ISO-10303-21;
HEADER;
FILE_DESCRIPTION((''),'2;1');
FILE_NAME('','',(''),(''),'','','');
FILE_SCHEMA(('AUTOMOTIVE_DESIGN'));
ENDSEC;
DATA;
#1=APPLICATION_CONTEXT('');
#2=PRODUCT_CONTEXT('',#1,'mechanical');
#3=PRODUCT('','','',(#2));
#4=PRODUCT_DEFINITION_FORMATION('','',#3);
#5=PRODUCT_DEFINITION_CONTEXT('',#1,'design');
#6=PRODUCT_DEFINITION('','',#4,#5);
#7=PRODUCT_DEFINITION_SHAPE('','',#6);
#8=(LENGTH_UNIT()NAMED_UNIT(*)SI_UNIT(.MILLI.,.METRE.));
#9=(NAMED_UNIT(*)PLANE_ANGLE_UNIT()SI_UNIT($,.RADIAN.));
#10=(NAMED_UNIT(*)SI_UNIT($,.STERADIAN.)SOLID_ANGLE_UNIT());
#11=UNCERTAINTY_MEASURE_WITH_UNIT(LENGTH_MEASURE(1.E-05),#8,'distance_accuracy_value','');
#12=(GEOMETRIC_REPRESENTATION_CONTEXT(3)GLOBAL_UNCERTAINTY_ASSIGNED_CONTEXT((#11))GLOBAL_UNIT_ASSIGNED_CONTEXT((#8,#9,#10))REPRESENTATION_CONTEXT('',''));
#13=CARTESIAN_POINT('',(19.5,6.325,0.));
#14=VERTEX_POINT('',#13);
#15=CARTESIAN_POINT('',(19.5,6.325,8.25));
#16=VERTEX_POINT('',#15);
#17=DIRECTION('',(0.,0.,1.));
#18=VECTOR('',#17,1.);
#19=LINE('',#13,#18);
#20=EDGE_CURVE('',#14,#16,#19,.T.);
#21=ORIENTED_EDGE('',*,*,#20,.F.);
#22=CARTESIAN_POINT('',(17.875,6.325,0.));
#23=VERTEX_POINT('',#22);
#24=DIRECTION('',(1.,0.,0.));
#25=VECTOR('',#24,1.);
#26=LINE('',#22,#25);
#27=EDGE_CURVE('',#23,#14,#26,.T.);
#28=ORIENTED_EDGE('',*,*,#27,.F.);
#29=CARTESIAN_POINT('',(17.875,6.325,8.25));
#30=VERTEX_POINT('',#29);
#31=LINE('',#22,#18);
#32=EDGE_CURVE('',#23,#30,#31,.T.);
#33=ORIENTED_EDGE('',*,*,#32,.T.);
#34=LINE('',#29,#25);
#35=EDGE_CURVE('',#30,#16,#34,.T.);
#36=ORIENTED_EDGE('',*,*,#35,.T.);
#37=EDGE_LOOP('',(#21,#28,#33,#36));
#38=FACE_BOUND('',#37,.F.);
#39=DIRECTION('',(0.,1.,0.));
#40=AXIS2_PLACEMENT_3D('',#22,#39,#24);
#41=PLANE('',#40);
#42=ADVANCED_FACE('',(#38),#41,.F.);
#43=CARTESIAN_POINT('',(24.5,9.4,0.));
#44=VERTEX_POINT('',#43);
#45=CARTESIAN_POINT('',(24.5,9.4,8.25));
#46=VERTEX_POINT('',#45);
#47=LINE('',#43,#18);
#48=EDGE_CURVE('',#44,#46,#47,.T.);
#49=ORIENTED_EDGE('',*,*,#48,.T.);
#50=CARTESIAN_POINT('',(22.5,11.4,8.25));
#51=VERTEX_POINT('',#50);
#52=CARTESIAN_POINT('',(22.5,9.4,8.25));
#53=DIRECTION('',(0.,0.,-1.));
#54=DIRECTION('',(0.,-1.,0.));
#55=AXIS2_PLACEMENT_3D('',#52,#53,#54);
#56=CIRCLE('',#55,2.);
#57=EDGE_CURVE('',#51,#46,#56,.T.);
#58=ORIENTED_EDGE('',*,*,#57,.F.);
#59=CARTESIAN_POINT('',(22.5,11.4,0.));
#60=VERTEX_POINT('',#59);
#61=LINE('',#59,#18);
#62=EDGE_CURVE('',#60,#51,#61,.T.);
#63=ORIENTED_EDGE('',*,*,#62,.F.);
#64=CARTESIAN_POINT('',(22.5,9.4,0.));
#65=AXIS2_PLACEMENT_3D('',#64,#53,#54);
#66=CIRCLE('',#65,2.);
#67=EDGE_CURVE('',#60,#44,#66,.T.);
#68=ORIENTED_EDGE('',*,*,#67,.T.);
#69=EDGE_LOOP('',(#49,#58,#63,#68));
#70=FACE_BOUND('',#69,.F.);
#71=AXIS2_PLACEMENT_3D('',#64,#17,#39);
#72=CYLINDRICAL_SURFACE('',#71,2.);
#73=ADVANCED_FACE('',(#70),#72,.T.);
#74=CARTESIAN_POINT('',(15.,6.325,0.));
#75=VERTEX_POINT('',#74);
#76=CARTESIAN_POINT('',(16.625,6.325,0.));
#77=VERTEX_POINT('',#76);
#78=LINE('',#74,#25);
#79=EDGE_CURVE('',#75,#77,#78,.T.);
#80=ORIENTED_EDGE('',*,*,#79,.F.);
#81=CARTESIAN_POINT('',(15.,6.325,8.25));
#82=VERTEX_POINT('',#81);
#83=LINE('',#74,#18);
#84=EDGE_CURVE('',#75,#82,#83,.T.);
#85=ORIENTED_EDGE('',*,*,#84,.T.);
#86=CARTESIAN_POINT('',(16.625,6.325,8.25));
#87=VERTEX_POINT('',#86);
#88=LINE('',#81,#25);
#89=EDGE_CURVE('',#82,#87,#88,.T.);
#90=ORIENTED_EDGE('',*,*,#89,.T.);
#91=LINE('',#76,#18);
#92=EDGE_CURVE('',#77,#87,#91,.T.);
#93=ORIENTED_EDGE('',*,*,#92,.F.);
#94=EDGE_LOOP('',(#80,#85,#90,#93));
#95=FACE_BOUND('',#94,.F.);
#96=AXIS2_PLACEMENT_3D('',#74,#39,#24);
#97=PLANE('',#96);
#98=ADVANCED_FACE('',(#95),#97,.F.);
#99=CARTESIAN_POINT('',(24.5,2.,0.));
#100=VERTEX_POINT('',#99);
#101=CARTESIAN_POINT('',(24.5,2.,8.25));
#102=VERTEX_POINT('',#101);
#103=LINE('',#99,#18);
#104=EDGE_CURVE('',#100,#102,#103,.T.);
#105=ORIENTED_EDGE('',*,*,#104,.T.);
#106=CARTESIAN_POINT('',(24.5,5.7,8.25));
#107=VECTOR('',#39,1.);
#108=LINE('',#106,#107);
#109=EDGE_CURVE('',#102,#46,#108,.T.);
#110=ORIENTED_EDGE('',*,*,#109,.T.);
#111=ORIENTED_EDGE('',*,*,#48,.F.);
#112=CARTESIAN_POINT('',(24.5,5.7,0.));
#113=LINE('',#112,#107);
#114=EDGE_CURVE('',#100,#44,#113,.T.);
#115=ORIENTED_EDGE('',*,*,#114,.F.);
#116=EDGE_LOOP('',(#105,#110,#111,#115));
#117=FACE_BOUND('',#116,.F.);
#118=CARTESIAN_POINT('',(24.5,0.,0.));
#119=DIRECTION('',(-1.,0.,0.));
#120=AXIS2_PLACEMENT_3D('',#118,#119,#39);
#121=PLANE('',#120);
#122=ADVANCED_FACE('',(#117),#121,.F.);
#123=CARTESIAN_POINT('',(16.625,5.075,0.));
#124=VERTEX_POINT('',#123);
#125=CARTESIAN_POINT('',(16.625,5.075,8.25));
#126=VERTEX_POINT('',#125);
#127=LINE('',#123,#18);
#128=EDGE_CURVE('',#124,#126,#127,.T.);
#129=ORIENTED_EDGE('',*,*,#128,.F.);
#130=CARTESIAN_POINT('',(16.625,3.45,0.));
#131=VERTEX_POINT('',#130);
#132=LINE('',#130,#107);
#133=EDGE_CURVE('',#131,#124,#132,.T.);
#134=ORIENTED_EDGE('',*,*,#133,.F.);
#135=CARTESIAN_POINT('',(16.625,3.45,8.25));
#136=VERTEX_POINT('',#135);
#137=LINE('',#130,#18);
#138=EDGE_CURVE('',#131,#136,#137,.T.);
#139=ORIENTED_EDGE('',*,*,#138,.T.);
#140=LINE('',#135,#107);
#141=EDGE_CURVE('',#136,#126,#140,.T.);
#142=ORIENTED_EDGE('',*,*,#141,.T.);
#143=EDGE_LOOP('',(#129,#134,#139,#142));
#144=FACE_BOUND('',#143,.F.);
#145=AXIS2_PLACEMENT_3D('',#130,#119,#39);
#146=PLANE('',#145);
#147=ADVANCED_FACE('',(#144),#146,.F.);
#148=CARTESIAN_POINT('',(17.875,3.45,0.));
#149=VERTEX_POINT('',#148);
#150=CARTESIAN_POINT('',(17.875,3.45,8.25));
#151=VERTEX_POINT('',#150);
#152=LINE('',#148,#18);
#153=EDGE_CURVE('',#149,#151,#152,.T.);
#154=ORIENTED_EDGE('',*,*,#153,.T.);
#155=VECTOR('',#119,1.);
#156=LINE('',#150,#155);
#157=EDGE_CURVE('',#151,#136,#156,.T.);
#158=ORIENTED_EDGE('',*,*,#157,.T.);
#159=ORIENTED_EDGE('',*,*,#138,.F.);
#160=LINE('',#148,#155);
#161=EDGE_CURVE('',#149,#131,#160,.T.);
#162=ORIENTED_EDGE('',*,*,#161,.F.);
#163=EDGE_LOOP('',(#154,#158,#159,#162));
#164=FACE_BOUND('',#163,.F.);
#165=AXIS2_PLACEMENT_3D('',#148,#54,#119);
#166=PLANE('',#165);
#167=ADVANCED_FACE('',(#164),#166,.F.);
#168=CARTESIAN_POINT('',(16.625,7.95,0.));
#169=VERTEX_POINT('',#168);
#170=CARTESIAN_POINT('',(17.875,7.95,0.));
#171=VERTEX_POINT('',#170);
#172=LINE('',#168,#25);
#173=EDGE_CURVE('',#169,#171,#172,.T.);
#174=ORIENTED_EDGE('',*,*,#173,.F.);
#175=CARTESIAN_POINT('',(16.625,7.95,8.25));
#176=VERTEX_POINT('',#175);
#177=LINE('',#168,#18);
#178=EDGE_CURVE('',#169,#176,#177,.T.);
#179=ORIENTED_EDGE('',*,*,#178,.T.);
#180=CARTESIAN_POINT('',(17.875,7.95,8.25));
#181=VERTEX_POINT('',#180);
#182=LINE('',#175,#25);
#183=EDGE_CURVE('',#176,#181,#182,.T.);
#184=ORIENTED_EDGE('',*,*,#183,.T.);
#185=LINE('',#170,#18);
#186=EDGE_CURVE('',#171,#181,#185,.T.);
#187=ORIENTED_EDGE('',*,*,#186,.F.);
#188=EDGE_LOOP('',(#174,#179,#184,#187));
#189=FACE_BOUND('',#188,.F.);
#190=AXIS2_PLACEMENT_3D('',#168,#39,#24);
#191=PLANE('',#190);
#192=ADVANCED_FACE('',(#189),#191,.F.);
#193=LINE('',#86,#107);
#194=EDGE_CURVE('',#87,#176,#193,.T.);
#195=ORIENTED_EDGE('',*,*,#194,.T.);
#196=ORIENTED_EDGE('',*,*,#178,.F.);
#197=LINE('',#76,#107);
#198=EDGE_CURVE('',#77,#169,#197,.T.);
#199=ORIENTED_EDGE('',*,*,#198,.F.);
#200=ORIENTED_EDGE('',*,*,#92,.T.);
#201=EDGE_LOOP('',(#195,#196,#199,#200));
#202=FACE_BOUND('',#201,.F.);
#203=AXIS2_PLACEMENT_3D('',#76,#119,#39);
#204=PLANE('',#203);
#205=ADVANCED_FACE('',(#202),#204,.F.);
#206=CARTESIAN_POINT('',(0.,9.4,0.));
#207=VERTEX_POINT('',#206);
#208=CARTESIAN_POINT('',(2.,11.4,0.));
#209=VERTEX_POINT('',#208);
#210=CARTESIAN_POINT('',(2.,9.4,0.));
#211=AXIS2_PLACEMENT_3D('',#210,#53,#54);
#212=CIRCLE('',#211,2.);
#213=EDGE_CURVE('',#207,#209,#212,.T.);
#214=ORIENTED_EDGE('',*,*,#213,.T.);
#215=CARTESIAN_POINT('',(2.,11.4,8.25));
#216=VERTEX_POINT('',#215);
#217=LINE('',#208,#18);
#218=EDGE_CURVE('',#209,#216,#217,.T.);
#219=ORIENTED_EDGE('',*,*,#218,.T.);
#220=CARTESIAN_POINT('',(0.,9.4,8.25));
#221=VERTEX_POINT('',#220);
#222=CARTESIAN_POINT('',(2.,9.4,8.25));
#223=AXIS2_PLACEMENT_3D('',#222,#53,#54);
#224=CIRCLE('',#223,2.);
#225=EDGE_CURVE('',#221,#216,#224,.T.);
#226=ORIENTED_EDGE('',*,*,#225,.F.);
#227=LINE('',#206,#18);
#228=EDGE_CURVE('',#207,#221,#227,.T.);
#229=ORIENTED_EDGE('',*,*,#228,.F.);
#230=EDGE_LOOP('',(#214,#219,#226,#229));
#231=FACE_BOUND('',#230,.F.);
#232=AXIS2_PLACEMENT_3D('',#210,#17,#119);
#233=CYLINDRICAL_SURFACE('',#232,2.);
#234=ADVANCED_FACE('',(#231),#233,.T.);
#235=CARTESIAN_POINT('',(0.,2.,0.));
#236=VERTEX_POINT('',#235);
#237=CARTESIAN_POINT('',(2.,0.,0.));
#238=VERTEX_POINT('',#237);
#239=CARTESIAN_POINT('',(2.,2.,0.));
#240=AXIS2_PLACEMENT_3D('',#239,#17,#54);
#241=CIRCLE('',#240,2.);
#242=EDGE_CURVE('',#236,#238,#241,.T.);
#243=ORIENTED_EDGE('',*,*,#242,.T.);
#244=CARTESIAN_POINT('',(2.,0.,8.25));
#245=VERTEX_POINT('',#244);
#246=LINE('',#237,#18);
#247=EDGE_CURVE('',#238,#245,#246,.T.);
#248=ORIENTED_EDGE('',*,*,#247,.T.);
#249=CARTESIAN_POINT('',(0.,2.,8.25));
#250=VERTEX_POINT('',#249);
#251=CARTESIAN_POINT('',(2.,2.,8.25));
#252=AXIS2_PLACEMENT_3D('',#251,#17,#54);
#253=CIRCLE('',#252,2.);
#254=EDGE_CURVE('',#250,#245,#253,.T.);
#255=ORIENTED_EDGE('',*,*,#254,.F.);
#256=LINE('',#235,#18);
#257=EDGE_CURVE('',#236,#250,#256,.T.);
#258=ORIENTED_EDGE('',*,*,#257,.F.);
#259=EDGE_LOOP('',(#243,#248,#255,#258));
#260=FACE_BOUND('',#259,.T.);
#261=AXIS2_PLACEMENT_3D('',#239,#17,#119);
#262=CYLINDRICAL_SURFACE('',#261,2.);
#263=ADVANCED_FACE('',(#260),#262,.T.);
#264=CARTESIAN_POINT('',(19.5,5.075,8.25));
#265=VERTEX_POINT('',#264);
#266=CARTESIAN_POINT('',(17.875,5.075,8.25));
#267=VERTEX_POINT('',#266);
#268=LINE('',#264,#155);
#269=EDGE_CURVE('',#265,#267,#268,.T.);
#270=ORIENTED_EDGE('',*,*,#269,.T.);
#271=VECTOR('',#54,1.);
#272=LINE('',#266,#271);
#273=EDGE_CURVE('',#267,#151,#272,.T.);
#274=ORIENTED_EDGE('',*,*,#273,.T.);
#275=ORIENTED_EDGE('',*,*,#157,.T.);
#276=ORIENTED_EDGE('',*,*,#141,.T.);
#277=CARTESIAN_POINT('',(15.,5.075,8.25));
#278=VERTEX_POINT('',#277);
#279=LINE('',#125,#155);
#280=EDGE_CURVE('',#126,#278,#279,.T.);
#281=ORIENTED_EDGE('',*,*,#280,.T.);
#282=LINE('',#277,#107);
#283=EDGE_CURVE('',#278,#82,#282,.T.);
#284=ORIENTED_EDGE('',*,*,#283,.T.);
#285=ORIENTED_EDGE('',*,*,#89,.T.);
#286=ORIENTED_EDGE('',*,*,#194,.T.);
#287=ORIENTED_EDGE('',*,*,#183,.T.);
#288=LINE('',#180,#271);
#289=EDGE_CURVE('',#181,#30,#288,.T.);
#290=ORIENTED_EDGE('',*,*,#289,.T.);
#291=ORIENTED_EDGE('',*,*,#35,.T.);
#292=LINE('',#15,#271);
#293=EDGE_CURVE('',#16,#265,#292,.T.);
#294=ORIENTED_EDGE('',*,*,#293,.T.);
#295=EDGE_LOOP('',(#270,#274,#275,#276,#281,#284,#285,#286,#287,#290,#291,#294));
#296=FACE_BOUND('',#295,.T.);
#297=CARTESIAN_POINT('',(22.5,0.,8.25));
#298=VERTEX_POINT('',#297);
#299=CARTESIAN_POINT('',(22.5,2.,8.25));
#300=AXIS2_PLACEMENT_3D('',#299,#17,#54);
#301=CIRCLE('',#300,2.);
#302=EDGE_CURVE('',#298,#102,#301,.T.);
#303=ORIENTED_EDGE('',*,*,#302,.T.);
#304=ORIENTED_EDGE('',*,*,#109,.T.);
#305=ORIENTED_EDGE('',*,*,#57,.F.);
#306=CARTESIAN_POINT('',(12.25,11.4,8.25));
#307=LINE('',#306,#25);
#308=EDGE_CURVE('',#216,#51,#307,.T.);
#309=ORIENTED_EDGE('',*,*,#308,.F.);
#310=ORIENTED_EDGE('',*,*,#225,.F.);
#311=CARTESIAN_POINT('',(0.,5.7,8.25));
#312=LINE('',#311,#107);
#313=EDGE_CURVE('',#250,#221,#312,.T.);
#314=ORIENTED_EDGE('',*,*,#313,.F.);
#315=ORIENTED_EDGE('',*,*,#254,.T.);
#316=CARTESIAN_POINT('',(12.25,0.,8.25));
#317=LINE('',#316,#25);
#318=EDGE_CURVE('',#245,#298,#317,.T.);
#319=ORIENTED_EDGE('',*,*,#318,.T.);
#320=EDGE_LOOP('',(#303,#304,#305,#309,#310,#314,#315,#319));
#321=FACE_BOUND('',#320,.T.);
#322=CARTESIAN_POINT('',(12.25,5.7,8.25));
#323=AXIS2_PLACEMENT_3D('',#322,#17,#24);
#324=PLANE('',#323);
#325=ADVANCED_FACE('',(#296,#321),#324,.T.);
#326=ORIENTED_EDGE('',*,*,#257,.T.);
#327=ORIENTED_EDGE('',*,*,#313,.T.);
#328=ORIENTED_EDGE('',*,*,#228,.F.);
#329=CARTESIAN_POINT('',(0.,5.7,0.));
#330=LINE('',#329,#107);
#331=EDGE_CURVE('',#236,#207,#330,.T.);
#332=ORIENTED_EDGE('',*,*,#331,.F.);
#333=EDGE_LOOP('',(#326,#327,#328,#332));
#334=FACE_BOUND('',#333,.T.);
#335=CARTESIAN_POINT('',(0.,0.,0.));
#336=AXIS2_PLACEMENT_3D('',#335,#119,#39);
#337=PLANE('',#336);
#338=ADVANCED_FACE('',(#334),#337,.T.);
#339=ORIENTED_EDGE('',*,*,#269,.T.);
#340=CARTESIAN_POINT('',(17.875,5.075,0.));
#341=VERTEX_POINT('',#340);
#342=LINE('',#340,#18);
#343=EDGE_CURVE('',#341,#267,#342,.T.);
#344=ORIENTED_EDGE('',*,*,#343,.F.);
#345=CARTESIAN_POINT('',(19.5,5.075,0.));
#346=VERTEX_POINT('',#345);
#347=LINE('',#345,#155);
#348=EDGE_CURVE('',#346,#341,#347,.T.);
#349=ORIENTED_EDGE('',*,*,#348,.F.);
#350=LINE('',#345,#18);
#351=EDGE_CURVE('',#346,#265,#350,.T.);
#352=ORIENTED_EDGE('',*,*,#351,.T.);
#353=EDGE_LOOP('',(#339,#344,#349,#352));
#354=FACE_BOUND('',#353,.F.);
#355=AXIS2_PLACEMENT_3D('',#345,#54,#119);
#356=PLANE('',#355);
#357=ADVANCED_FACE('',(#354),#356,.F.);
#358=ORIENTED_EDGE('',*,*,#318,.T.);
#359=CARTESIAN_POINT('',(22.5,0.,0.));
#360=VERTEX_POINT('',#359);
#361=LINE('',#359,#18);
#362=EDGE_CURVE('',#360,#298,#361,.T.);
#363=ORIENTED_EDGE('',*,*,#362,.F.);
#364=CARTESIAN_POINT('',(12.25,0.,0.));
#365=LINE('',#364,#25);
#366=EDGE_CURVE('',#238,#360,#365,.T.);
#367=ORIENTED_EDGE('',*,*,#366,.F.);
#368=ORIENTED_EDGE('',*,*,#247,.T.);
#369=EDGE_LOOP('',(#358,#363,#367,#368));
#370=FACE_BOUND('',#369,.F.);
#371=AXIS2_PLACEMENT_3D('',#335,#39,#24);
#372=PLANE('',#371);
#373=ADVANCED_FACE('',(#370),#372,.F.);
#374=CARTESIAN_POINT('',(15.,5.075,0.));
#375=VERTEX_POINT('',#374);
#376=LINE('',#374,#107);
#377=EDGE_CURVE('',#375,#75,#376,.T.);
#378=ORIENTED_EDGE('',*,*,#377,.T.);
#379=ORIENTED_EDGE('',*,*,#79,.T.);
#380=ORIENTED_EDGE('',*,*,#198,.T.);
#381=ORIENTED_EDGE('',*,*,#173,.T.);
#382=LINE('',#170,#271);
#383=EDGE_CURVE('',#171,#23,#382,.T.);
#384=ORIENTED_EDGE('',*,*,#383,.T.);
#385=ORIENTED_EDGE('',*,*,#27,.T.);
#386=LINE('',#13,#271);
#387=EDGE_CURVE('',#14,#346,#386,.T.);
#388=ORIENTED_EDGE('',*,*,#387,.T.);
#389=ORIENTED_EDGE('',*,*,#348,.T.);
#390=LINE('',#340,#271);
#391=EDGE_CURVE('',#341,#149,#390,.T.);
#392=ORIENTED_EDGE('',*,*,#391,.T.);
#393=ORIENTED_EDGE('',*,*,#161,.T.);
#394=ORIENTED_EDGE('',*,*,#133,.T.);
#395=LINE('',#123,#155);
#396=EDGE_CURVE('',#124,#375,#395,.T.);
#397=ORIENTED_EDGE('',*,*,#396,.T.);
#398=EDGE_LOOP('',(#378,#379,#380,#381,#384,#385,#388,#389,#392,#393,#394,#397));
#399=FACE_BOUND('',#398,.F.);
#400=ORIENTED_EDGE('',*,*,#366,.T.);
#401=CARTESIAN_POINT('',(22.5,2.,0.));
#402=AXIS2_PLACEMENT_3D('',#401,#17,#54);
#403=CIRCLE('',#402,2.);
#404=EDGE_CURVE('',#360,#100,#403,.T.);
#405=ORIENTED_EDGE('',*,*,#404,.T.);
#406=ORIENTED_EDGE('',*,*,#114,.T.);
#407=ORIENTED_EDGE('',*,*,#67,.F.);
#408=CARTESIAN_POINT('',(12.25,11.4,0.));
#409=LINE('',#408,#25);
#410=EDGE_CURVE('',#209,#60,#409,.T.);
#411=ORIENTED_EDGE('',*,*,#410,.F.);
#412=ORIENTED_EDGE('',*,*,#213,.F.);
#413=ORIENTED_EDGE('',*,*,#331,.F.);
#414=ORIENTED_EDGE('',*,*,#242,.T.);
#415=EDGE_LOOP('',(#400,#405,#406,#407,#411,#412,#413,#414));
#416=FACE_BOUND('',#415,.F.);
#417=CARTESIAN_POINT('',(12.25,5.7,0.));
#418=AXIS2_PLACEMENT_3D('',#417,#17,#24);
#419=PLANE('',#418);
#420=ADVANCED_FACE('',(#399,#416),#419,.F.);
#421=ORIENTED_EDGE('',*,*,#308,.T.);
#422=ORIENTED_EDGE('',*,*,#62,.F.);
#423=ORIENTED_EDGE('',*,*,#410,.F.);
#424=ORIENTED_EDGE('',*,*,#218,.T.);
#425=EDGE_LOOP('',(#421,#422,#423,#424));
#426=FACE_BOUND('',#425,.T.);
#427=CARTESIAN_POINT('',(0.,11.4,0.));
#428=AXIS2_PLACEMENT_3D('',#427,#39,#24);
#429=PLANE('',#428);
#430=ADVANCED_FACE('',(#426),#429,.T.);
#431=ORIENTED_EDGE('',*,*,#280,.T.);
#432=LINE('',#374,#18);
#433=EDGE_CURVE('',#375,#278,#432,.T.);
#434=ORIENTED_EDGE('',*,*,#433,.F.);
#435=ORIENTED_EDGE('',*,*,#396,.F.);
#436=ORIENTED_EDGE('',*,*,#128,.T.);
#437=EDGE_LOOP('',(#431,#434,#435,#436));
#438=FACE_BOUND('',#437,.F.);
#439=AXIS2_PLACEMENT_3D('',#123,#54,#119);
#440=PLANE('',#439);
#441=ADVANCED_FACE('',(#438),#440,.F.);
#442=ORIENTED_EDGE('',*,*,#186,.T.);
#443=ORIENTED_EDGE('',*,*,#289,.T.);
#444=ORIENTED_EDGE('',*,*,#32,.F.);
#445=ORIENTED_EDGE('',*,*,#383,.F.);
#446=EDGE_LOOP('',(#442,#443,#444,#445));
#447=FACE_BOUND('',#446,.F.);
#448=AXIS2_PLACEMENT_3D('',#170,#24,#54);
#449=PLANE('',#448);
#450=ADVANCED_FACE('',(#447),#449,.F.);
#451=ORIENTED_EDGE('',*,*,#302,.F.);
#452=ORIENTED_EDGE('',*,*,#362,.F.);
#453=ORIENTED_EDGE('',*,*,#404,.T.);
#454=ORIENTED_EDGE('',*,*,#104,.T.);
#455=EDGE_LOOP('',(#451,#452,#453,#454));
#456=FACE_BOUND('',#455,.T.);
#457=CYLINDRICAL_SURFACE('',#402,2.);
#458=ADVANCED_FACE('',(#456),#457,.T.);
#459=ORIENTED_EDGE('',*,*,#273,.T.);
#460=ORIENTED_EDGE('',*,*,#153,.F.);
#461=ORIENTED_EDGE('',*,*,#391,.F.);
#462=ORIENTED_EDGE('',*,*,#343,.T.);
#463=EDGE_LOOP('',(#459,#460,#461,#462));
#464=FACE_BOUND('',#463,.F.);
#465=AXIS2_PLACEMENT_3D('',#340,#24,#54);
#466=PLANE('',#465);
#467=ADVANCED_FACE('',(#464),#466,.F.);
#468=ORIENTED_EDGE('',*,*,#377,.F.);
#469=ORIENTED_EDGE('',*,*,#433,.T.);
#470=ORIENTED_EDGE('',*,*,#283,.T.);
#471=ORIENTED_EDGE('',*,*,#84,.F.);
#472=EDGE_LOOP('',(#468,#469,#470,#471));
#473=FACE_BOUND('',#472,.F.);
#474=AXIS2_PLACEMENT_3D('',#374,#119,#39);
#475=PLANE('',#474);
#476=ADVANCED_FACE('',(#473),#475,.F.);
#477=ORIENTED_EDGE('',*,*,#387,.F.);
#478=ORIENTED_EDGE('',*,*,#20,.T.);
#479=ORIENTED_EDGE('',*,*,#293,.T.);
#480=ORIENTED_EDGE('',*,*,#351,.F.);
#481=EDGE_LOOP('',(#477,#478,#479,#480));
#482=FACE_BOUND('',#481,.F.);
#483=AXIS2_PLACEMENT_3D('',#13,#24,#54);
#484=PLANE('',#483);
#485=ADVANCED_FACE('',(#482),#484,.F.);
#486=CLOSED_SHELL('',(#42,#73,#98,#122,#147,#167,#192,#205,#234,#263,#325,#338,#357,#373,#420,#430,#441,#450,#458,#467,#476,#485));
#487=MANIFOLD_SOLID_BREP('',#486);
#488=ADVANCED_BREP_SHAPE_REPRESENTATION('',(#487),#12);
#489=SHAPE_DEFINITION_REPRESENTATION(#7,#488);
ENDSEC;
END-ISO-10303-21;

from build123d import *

# Parameters (mm, degrees)
SKETCH_W  = 24.5
SKETCH_H  = 11.4
PAD_DEPTH = 8.25
FILLET_R  = 2


with BuildPart() as part:
    # Sketch → Pad (new body)
    with BuildSketch(Plane.XY):
        with Locations((12.25, 5.7)):
            Rectangle(SKETCH_W, SKETCH_H)
        Polygon((16.625, 7.95), (17.875, 7.95), (17.875, 6.325), (19.5, 6.325), (19.5, 5.075), (17.875, 5.075), (17.875, 3.45), (16.625, 3.45), (16.625, 5.075), (15, 5.075), (15, 6.325), (16.625, 6.325), align=None, mode=Mode.SUBTRACT)
    extrude(amount=PAD_DEPTH)

    # Fillet
    fillet_edges = [part.edges().sort_by_distance(p)[0] for p in [
        (24.5, 0, 4.125),
        (0, 0, 4.125),
        (24.5, 11.4, 4.125),
        (0, 11.4, 4.125),
    ]]
    fillet(fillet_edges, radius=FILLET_R)


solid = part.part
